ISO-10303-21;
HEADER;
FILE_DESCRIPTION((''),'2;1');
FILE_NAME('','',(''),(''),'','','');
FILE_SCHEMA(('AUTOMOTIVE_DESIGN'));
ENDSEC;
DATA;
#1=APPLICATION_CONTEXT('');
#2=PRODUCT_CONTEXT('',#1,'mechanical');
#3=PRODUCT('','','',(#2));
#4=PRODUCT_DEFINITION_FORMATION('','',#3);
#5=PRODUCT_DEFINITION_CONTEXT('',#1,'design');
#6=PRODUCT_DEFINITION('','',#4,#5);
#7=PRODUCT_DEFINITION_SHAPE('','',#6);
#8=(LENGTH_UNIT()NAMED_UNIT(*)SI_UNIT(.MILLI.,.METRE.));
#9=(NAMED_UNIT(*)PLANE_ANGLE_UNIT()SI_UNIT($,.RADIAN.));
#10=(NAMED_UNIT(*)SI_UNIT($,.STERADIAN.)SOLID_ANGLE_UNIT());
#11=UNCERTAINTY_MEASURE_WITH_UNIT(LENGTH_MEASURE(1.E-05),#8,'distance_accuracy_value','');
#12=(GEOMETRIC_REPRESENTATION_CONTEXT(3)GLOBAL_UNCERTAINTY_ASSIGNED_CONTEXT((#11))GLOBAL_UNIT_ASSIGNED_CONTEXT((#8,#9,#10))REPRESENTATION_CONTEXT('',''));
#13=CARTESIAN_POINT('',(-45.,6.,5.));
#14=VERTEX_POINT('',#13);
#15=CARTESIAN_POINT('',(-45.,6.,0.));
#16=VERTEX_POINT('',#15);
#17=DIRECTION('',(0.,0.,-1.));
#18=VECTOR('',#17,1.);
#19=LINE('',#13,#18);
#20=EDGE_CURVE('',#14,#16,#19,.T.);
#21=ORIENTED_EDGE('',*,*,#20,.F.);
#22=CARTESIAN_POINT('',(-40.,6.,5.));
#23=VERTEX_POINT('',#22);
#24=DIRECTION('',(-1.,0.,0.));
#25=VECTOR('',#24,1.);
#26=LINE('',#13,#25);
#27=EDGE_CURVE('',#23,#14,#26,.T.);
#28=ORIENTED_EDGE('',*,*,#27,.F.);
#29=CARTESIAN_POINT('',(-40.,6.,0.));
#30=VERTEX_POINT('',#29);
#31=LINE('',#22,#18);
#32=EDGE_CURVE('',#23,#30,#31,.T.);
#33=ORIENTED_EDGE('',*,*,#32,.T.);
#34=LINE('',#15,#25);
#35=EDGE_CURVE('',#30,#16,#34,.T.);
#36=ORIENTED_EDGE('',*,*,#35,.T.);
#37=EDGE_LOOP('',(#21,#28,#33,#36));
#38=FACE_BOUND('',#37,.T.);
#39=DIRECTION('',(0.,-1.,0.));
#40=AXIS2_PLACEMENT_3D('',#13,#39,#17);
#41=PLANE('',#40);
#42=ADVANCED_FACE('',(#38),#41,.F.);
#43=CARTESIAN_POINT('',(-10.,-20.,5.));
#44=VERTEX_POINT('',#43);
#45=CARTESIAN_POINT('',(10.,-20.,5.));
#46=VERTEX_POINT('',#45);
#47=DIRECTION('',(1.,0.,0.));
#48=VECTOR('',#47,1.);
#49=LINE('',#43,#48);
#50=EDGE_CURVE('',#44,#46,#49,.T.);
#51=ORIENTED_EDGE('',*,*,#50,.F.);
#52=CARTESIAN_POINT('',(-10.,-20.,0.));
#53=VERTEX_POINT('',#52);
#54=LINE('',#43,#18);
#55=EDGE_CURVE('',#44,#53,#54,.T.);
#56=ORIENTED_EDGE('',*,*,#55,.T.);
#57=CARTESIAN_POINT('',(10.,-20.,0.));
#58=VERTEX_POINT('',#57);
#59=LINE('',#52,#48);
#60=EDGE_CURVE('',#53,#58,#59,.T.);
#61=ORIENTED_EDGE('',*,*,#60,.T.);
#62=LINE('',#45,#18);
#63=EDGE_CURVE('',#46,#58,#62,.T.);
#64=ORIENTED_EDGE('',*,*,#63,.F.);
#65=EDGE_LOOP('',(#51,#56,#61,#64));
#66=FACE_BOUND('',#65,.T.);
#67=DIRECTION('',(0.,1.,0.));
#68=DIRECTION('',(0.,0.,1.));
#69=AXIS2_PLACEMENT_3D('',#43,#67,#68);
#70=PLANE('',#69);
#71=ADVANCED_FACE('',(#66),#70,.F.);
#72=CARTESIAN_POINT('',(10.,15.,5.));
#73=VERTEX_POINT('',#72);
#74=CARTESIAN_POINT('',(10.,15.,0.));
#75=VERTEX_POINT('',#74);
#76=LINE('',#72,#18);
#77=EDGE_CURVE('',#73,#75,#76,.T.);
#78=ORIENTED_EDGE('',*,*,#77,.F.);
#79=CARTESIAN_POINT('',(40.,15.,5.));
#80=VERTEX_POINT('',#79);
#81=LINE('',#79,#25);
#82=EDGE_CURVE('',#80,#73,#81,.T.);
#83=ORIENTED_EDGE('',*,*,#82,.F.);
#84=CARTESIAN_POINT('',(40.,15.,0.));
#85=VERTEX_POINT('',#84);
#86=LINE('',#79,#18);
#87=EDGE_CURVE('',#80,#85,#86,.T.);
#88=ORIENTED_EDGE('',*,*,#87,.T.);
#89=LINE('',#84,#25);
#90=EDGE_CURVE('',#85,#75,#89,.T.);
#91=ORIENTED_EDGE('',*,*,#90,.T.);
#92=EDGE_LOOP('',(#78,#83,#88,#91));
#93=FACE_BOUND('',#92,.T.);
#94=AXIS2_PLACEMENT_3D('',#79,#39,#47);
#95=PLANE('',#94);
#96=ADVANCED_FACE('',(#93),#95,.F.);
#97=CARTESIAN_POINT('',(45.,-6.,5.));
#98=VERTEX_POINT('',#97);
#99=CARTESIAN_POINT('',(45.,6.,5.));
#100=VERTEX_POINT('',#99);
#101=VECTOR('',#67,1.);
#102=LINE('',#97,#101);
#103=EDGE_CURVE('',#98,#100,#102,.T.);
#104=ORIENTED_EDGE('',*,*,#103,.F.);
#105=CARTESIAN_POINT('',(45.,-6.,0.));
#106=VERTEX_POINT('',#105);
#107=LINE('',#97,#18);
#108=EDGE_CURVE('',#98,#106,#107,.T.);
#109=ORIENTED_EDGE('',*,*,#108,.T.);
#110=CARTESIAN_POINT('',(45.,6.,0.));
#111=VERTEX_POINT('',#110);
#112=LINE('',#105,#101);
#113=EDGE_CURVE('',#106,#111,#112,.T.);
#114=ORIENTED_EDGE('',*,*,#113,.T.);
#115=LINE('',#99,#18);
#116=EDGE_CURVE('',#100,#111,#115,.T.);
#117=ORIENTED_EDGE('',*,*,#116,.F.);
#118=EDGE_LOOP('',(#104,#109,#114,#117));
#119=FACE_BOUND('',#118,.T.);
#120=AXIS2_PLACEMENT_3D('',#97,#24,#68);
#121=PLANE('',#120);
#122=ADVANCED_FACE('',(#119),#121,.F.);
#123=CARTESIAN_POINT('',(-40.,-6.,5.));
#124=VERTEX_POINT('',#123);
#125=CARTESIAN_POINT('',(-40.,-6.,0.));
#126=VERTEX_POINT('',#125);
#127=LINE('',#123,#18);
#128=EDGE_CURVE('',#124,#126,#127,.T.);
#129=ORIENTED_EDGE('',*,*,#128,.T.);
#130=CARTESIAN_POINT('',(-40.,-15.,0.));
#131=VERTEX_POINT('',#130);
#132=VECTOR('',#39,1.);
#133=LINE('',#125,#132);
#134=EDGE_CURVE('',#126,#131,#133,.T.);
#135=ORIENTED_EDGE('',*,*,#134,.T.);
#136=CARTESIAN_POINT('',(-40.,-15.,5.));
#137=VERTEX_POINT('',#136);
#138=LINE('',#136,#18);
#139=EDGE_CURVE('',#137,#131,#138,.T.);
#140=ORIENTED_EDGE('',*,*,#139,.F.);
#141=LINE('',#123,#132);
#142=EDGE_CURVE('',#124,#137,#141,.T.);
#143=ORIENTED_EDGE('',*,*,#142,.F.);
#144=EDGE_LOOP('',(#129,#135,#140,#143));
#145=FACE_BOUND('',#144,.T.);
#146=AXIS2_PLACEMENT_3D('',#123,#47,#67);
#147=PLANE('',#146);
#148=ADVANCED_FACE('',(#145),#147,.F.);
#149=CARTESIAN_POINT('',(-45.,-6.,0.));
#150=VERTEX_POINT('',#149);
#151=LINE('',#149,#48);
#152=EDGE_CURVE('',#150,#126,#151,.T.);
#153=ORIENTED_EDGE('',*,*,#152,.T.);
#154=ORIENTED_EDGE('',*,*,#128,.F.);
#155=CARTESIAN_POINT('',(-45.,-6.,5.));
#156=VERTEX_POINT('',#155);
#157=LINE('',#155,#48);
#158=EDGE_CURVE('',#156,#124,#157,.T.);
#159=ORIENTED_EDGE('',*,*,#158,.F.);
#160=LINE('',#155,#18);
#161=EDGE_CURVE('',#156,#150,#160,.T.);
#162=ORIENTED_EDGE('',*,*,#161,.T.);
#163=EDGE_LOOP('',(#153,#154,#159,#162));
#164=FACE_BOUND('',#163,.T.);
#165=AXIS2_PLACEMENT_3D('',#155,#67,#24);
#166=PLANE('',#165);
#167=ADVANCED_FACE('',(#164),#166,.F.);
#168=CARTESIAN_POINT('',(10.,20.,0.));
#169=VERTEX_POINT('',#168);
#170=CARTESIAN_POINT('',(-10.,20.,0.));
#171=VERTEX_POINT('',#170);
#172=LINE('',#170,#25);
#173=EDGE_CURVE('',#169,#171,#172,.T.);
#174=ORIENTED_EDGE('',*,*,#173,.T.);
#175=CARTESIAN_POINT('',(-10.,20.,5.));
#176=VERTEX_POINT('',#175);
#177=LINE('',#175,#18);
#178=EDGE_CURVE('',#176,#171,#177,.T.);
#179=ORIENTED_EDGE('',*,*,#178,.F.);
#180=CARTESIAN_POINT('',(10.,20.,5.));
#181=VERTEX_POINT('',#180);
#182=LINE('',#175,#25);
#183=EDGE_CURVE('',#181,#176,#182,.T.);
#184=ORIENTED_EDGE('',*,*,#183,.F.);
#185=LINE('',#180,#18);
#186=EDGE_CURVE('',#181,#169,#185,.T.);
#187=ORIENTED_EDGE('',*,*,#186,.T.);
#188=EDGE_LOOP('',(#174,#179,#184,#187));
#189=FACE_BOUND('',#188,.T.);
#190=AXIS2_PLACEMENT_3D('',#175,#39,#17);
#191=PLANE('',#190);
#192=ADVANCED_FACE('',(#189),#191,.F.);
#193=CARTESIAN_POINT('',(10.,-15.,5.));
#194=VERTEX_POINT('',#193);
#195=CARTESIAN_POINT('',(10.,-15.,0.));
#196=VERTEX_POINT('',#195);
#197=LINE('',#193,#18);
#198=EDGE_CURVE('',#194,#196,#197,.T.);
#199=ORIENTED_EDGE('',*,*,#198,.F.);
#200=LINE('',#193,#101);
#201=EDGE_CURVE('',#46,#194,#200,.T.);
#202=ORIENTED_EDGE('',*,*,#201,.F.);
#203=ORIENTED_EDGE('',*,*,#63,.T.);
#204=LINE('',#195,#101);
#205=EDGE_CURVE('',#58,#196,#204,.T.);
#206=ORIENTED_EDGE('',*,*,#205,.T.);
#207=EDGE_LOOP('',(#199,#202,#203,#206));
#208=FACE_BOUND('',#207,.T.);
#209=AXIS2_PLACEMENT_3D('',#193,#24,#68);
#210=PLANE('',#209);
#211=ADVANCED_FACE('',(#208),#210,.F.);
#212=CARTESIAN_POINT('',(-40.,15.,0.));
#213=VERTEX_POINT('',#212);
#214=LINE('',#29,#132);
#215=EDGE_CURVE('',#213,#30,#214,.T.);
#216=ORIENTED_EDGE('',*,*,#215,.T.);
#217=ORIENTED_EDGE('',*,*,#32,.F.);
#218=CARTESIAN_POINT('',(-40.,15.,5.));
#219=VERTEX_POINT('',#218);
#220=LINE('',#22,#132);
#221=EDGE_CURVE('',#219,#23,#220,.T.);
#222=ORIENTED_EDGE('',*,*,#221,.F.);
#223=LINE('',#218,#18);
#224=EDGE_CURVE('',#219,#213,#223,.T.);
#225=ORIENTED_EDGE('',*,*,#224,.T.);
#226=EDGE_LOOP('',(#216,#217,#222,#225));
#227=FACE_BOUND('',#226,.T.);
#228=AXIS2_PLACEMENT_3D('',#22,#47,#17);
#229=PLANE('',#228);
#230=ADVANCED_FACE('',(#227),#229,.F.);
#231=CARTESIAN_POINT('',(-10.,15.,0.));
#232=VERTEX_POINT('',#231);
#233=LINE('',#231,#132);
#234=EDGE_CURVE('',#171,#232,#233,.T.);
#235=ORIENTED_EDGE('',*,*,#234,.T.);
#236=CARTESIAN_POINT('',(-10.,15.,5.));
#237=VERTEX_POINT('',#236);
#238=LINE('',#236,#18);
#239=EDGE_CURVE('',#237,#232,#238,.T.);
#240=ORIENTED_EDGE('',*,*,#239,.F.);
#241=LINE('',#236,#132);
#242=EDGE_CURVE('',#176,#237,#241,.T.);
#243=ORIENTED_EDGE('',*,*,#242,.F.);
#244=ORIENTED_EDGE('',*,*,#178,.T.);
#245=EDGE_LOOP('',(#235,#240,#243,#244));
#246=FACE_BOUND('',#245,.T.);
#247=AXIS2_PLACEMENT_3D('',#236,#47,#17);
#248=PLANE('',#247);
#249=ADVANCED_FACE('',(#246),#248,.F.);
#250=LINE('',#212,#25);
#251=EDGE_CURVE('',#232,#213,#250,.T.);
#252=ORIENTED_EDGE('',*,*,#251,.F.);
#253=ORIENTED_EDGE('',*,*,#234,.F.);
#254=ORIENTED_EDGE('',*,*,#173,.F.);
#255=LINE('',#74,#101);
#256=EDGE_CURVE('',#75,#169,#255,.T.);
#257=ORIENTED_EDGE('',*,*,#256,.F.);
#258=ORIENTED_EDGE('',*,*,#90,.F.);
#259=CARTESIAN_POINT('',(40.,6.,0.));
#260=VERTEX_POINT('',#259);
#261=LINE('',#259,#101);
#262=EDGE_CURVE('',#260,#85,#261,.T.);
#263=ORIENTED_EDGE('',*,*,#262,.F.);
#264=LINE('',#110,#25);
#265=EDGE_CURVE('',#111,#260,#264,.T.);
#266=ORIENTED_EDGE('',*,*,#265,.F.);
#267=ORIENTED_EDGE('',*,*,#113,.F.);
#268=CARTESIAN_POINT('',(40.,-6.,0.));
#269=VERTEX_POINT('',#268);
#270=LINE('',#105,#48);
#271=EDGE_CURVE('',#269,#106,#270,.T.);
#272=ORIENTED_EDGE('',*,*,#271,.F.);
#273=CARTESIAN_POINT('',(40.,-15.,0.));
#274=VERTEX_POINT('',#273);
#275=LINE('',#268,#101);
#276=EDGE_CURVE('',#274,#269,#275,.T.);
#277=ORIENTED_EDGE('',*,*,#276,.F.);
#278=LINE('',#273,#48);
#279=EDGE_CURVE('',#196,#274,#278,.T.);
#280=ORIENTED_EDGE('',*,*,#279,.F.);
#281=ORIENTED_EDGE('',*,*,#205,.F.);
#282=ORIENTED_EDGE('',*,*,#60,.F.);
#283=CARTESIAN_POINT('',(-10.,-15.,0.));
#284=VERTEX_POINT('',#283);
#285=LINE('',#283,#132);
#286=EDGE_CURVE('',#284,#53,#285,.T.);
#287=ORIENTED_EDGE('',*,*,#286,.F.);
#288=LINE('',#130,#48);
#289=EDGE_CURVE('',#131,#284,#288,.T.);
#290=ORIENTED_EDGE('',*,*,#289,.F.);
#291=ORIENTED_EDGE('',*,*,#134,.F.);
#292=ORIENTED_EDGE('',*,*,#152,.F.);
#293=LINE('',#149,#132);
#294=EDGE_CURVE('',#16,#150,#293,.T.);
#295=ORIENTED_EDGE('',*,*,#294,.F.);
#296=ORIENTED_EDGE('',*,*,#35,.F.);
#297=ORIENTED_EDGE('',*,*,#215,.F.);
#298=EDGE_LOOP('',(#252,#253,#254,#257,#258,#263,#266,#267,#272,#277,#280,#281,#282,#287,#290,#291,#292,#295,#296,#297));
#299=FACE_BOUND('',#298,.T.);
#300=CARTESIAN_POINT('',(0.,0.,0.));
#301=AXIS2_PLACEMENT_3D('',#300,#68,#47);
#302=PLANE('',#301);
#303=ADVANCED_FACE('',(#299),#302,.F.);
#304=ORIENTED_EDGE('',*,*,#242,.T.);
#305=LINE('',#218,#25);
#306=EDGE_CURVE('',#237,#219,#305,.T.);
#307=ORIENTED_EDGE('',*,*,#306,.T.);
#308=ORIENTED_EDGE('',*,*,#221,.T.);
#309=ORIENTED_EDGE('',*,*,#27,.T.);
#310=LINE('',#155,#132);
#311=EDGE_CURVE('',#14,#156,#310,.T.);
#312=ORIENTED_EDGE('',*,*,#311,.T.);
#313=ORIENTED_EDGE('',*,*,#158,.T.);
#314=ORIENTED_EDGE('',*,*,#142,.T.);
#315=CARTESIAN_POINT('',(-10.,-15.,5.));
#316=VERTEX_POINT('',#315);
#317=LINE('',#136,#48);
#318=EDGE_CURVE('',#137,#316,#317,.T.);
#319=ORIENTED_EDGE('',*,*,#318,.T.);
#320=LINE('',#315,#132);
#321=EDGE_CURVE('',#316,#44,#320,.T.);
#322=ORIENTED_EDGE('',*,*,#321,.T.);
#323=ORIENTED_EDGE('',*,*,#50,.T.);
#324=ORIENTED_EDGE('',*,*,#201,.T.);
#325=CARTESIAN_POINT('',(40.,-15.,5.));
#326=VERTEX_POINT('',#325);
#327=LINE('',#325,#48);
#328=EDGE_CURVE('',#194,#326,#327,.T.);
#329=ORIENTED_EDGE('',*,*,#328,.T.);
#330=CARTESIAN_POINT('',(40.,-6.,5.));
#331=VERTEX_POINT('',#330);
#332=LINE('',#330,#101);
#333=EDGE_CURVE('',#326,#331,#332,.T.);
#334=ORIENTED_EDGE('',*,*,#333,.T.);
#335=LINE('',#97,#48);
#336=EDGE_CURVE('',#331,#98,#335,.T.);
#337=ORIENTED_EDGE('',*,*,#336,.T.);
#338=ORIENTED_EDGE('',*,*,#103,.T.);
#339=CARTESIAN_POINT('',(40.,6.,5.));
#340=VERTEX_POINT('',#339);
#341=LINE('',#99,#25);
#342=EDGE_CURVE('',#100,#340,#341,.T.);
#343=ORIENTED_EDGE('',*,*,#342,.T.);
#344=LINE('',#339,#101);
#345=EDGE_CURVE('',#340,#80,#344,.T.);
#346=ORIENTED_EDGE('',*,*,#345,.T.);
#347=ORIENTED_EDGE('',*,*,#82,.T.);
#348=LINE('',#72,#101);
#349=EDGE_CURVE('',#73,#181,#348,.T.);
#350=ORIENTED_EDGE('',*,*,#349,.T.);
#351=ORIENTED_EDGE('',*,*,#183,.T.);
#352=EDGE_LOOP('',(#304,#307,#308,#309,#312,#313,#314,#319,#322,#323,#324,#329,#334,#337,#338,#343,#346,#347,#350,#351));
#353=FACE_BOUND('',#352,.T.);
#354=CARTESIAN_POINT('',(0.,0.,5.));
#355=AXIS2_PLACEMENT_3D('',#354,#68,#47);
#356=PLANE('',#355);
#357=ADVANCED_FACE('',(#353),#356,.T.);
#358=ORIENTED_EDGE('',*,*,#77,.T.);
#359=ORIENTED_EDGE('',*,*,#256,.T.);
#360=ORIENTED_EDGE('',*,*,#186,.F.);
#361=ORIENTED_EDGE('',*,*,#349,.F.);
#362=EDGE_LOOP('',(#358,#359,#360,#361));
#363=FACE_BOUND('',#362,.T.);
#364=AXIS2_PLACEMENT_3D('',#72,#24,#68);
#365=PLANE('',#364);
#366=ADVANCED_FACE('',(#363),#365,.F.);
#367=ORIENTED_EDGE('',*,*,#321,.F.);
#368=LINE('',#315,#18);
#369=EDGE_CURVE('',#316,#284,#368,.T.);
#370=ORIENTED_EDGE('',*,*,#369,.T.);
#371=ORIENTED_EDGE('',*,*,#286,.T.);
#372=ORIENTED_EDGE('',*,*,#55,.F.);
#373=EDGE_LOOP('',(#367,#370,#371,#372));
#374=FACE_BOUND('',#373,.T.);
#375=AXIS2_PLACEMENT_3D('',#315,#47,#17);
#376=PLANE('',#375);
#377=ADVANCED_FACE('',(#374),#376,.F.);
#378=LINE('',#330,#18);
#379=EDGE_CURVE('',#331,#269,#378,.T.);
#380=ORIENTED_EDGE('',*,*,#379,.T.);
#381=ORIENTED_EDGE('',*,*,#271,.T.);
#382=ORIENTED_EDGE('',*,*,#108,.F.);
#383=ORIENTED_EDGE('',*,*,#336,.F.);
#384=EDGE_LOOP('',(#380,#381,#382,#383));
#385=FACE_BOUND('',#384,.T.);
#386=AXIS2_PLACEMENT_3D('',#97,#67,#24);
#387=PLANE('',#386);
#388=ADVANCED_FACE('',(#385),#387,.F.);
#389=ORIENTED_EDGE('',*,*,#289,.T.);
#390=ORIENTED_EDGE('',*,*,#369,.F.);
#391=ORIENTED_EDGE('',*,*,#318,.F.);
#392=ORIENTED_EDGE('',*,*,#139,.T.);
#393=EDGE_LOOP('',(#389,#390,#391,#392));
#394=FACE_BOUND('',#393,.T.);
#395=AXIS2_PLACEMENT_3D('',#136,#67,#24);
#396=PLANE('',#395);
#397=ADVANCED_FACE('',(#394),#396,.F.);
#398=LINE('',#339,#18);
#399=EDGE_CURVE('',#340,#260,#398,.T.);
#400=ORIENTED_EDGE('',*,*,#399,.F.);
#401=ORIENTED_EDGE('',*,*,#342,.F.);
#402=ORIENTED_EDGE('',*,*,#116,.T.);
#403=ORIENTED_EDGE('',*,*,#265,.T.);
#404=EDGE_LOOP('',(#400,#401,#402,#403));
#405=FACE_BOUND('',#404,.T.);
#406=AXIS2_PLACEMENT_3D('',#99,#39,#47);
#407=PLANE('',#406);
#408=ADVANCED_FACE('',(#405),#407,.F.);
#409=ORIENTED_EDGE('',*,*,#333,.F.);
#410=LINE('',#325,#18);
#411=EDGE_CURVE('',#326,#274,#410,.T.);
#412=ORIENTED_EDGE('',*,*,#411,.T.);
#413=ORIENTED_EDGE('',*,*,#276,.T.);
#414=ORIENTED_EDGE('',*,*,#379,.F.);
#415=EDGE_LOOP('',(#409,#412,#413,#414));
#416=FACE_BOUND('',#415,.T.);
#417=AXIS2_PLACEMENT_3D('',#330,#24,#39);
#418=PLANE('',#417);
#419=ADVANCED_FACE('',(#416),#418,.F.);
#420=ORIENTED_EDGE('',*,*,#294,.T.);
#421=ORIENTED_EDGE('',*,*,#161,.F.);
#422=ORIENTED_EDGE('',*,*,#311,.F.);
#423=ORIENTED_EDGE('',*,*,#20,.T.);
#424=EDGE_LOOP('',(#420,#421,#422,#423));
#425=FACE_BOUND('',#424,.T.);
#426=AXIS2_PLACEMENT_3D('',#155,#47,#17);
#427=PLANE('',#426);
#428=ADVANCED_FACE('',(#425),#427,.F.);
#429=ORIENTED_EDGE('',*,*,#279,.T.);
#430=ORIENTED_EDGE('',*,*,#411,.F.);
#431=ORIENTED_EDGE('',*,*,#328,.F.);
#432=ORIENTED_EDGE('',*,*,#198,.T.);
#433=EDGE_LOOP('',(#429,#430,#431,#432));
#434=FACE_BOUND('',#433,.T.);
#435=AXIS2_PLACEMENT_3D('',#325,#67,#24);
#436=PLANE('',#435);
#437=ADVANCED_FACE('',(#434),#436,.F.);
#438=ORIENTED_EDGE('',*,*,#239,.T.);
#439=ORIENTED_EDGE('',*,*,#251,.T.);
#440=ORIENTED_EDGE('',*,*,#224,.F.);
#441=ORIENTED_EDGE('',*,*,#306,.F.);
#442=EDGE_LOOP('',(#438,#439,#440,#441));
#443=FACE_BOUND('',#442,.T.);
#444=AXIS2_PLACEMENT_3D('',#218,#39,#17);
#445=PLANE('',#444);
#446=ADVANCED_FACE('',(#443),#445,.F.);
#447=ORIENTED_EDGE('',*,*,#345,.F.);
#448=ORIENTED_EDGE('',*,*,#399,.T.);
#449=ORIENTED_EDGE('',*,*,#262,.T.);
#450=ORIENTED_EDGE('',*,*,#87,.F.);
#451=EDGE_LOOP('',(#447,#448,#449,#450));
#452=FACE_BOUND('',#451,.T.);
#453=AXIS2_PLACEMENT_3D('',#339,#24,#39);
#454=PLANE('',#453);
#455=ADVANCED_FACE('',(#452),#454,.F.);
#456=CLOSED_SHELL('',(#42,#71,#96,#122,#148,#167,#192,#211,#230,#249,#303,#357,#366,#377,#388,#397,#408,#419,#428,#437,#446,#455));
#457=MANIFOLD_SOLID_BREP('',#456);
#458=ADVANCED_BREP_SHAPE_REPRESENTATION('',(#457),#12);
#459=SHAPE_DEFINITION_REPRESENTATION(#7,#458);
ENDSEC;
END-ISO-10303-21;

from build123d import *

# Parameters (mm, degrees)
BOSS_EXTRUDE1_DEPTH = 5


with BuildPart() as part:
    # Sketch1 → Boss-Extrude1 (new body)
    with BuildSketch(Plane.XY):
        Polygon((-45, -6), (-45, 6), (-40, 6), (-40, 15), (-10, 15), (-10, 20), (10, 20), (10, 15), (40, 15), (40, 6), (45, 6), (45, -6), (40, -6), (40, -15), (10, -15), (10, -20), (-10, -20), (-10, -15), (-40, -15), (-40, -6), align=None)
    extrude(amount=BOSS_EXTRUDE1_DEPTH)


solid = part.part
